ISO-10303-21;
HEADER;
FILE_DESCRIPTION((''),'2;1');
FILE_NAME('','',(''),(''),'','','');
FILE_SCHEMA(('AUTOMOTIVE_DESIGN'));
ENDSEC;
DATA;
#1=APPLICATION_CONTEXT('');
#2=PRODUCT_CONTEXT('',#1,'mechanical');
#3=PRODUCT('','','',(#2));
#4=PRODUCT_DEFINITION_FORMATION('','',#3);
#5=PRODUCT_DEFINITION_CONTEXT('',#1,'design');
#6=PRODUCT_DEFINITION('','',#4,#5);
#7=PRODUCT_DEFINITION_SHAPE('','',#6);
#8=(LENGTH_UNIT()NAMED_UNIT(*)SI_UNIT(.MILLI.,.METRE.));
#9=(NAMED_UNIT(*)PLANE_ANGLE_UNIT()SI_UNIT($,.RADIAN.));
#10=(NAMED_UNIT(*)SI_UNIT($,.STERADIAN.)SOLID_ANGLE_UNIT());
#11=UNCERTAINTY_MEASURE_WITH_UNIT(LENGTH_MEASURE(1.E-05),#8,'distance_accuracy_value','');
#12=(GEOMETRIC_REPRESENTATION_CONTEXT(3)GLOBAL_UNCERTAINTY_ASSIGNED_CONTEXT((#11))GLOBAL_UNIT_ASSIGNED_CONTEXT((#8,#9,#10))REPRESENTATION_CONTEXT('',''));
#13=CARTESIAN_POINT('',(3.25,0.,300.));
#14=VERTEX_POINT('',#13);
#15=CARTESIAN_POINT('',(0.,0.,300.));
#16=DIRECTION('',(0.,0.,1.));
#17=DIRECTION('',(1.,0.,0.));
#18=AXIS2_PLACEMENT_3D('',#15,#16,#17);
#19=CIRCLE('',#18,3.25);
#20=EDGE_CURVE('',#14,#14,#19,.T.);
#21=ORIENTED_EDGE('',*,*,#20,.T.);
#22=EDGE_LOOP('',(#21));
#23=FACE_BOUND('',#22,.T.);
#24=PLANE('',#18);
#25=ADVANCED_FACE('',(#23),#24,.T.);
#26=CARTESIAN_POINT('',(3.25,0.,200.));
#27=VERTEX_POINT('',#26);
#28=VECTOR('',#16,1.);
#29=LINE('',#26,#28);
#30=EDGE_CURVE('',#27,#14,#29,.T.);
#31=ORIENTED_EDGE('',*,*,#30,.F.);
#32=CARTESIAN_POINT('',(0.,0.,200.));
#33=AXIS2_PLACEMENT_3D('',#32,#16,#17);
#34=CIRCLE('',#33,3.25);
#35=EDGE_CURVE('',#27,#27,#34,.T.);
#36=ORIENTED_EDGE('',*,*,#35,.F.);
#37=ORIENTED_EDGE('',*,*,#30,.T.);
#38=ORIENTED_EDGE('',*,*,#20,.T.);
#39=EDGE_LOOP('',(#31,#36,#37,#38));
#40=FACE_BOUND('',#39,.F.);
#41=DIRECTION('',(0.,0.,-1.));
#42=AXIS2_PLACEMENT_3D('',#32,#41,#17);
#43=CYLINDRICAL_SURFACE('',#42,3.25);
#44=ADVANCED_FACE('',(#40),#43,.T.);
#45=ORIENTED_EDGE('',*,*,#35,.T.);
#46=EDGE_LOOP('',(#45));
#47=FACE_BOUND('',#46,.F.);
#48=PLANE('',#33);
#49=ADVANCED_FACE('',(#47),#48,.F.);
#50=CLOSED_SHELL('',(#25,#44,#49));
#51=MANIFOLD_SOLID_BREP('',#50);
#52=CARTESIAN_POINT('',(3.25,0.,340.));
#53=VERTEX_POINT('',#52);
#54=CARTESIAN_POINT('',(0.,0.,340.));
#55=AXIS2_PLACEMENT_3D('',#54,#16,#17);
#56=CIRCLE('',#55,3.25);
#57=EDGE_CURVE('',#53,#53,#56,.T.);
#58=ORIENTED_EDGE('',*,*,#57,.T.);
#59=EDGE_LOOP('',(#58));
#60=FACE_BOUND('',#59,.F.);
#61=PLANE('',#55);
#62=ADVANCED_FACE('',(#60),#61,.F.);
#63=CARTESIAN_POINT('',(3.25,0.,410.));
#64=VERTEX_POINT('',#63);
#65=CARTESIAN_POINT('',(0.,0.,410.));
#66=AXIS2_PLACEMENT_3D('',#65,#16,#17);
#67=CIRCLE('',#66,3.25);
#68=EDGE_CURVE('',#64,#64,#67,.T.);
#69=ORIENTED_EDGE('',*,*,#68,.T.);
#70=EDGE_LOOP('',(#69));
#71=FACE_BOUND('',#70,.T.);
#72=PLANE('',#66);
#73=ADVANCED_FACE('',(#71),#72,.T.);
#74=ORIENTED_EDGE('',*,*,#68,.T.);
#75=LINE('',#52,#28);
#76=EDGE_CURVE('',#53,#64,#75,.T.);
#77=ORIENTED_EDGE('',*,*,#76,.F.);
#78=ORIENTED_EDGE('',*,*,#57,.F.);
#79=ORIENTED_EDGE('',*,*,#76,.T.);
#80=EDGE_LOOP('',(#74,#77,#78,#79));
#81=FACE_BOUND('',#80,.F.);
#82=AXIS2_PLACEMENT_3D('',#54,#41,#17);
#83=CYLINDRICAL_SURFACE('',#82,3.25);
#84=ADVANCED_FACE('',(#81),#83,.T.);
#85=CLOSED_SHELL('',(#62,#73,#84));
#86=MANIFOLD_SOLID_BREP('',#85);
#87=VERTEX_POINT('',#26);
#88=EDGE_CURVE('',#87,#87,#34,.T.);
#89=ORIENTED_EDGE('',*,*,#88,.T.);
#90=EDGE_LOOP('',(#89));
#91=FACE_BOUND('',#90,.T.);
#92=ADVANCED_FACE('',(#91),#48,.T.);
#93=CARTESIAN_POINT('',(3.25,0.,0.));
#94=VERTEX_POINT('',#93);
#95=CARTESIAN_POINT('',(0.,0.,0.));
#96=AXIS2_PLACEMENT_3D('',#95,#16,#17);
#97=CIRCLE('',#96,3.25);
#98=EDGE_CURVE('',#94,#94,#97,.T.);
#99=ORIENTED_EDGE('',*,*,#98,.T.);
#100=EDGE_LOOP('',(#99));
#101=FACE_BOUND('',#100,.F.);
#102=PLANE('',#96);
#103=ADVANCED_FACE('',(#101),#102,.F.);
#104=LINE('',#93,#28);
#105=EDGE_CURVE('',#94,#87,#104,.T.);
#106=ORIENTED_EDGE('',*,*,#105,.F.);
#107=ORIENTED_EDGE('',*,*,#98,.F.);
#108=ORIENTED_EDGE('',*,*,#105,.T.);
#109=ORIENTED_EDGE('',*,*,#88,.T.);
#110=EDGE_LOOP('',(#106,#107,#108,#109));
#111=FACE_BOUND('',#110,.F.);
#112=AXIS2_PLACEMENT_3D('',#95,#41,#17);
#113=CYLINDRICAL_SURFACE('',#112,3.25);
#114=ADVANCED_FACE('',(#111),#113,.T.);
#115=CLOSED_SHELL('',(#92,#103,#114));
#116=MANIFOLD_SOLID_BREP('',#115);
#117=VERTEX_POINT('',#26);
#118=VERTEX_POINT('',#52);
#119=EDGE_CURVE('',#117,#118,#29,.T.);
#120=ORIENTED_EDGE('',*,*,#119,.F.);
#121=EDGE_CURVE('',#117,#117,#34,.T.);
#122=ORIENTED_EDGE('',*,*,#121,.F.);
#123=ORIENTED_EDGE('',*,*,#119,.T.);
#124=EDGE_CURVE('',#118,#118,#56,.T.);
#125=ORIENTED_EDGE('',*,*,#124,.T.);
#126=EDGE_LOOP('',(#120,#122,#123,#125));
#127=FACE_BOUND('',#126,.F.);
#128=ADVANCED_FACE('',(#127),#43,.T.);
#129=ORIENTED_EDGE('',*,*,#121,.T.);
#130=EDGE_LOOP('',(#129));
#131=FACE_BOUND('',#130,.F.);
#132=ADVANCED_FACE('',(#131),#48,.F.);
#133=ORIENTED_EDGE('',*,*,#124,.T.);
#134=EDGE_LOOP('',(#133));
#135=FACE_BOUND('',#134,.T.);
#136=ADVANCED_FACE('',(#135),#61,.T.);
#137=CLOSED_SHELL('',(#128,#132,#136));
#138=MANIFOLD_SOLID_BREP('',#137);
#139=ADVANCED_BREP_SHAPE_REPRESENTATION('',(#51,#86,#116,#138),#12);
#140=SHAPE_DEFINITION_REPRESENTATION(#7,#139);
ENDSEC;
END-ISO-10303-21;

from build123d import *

# Parameters (mm, degrees)
F0_R     = 3.25
F1_DEPTH = 200
F2_DEPTH = 100
F3_DEPTH = 140
F4_DEPTH = 70


with BuildPart() as f1:
    # F0 (on Top) → F1 (new body)
    with BuildSketch(Plane.XY):
        Circle(F0_R)
    extrude(amount=F1_DEPTH)


with BuildPart() as f2:
    # F2 (new): a face of the model
    f2_faces = [f1.part.faces().sort_by_distance(p)[0] for p in [
        (0, 0, 200),
    ]]
    extrude(f2_faces, amount=F2_DEPTH)


with BuildPart() as f3:
    # F3 (new): a face of the model
    f3_faces = [f1.part.faces().sort_by_distance(p)[0] for p in [
        (0, 0, 200),
    ]]
    extrude(f3_faces, amount=F3_DEPTH)


with BuildPart() as f4:
    # F4 (new): a face of the model
    f4_faces = [f3.part.faces().sort_by_distance(p)[0] for p in [
        (0, 0, 340),
    ]]
    extrude(f4_faces, amount=F4_DEPTH)


solid = Compound([f1.part, f2.part, f3.part, f4.part])
